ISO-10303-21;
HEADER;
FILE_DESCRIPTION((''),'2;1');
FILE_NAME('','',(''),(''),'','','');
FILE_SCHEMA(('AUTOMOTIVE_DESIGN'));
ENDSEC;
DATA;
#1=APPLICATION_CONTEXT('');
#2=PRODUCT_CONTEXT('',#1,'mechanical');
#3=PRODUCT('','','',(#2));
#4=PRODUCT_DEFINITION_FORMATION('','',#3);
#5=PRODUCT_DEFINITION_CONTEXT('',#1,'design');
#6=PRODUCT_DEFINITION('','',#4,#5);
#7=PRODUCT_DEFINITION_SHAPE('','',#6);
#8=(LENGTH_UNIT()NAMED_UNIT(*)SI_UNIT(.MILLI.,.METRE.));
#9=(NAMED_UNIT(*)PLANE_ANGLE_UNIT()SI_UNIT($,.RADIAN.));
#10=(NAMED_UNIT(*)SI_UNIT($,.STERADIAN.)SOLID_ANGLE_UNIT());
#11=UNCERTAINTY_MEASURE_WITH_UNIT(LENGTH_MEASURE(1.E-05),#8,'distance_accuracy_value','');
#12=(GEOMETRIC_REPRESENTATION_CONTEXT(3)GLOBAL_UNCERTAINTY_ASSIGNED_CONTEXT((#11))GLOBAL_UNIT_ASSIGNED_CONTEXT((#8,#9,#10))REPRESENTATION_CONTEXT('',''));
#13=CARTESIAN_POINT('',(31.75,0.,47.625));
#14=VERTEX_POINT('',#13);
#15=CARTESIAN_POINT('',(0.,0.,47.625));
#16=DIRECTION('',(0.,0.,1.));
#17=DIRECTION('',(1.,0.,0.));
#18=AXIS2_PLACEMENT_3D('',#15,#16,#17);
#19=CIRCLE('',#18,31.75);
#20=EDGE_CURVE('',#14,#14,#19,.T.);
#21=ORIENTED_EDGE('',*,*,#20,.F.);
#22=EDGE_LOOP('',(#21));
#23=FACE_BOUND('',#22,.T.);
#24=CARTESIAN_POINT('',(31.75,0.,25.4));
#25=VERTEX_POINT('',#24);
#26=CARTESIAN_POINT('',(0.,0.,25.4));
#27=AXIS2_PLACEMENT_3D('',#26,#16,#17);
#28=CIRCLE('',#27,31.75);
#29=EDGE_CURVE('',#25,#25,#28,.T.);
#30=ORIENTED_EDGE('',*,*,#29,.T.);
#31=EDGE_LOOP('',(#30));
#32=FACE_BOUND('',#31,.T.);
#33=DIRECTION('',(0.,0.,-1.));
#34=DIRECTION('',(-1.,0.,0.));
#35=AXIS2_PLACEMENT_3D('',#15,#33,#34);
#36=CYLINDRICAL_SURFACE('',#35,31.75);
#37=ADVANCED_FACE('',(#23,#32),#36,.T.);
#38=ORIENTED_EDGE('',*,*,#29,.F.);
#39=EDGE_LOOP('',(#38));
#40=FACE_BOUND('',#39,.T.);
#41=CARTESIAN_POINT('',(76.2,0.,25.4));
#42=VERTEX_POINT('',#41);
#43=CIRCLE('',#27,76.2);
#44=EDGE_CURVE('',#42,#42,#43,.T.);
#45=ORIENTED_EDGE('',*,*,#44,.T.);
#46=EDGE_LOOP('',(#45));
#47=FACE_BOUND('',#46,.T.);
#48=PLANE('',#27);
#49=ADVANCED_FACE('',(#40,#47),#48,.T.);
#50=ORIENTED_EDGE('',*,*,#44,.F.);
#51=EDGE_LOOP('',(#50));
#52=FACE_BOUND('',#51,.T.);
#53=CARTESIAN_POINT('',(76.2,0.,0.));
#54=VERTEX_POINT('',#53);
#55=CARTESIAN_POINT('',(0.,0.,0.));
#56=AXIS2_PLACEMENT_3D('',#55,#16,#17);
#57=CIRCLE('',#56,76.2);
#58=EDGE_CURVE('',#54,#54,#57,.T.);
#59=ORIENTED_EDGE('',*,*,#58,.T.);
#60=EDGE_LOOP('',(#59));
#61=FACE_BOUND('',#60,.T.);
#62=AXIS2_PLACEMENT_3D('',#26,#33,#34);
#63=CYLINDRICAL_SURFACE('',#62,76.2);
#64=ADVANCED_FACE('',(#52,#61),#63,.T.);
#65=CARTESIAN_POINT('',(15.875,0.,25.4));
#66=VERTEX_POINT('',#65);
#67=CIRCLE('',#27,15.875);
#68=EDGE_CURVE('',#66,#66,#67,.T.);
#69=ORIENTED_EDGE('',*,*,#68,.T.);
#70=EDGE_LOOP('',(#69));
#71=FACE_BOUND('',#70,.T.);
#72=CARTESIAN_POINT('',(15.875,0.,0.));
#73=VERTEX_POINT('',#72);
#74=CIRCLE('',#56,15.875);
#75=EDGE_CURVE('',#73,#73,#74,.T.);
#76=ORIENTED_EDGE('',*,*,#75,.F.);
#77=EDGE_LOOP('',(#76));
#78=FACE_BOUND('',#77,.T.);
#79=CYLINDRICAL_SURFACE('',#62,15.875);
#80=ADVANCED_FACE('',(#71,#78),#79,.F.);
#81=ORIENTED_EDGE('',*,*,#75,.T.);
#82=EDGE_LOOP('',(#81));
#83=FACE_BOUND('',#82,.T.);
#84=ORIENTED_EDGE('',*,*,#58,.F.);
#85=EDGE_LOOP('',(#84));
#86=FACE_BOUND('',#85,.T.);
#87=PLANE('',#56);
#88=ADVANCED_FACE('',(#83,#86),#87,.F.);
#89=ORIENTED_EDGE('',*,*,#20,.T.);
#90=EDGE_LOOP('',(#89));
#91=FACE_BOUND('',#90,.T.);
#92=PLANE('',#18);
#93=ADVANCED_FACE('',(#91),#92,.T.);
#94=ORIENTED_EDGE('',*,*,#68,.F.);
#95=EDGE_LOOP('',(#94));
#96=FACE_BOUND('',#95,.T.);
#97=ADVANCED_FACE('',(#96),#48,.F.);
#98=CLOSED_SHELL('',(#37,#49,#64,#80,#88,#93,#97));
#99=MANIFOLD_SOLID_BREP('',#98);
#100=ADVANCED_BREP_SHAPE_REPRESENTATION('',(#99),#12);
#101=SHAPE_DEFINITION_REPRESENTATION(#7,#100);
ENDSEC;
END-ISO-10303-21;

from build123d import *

# Parameters (mm, degrees)
SKETCH1_R           = 76.2
SKETCH1_R_2         = 15.875
BOSS_EXTRUDE1_DEPTH = 25.4
SKETCH2_R           = 31.75
BOSS_EXTRUDE2_DEPTH = 22.225


with BuildPart() as part:
    # Sketch1 → Boss-Extrude1 (new body)
    with BuildSketch(Plane.XY):
        Circle(SKETCH1_R)
        Circle(SKETCH1_R_2, mode=Mode.SUBTRACT)
    extrude(amount=BOSS_EXTRUDE1_DEPTH)

    # Sketch2 → Boss-Extrude2 (add)
    with BuildSketch(Plane.XY.offset(25.4)):
        Circle(SKETCH2_R)
    extrude(amount=BOSS_EXTRUDE2_DEPTH)


solid = part.part
